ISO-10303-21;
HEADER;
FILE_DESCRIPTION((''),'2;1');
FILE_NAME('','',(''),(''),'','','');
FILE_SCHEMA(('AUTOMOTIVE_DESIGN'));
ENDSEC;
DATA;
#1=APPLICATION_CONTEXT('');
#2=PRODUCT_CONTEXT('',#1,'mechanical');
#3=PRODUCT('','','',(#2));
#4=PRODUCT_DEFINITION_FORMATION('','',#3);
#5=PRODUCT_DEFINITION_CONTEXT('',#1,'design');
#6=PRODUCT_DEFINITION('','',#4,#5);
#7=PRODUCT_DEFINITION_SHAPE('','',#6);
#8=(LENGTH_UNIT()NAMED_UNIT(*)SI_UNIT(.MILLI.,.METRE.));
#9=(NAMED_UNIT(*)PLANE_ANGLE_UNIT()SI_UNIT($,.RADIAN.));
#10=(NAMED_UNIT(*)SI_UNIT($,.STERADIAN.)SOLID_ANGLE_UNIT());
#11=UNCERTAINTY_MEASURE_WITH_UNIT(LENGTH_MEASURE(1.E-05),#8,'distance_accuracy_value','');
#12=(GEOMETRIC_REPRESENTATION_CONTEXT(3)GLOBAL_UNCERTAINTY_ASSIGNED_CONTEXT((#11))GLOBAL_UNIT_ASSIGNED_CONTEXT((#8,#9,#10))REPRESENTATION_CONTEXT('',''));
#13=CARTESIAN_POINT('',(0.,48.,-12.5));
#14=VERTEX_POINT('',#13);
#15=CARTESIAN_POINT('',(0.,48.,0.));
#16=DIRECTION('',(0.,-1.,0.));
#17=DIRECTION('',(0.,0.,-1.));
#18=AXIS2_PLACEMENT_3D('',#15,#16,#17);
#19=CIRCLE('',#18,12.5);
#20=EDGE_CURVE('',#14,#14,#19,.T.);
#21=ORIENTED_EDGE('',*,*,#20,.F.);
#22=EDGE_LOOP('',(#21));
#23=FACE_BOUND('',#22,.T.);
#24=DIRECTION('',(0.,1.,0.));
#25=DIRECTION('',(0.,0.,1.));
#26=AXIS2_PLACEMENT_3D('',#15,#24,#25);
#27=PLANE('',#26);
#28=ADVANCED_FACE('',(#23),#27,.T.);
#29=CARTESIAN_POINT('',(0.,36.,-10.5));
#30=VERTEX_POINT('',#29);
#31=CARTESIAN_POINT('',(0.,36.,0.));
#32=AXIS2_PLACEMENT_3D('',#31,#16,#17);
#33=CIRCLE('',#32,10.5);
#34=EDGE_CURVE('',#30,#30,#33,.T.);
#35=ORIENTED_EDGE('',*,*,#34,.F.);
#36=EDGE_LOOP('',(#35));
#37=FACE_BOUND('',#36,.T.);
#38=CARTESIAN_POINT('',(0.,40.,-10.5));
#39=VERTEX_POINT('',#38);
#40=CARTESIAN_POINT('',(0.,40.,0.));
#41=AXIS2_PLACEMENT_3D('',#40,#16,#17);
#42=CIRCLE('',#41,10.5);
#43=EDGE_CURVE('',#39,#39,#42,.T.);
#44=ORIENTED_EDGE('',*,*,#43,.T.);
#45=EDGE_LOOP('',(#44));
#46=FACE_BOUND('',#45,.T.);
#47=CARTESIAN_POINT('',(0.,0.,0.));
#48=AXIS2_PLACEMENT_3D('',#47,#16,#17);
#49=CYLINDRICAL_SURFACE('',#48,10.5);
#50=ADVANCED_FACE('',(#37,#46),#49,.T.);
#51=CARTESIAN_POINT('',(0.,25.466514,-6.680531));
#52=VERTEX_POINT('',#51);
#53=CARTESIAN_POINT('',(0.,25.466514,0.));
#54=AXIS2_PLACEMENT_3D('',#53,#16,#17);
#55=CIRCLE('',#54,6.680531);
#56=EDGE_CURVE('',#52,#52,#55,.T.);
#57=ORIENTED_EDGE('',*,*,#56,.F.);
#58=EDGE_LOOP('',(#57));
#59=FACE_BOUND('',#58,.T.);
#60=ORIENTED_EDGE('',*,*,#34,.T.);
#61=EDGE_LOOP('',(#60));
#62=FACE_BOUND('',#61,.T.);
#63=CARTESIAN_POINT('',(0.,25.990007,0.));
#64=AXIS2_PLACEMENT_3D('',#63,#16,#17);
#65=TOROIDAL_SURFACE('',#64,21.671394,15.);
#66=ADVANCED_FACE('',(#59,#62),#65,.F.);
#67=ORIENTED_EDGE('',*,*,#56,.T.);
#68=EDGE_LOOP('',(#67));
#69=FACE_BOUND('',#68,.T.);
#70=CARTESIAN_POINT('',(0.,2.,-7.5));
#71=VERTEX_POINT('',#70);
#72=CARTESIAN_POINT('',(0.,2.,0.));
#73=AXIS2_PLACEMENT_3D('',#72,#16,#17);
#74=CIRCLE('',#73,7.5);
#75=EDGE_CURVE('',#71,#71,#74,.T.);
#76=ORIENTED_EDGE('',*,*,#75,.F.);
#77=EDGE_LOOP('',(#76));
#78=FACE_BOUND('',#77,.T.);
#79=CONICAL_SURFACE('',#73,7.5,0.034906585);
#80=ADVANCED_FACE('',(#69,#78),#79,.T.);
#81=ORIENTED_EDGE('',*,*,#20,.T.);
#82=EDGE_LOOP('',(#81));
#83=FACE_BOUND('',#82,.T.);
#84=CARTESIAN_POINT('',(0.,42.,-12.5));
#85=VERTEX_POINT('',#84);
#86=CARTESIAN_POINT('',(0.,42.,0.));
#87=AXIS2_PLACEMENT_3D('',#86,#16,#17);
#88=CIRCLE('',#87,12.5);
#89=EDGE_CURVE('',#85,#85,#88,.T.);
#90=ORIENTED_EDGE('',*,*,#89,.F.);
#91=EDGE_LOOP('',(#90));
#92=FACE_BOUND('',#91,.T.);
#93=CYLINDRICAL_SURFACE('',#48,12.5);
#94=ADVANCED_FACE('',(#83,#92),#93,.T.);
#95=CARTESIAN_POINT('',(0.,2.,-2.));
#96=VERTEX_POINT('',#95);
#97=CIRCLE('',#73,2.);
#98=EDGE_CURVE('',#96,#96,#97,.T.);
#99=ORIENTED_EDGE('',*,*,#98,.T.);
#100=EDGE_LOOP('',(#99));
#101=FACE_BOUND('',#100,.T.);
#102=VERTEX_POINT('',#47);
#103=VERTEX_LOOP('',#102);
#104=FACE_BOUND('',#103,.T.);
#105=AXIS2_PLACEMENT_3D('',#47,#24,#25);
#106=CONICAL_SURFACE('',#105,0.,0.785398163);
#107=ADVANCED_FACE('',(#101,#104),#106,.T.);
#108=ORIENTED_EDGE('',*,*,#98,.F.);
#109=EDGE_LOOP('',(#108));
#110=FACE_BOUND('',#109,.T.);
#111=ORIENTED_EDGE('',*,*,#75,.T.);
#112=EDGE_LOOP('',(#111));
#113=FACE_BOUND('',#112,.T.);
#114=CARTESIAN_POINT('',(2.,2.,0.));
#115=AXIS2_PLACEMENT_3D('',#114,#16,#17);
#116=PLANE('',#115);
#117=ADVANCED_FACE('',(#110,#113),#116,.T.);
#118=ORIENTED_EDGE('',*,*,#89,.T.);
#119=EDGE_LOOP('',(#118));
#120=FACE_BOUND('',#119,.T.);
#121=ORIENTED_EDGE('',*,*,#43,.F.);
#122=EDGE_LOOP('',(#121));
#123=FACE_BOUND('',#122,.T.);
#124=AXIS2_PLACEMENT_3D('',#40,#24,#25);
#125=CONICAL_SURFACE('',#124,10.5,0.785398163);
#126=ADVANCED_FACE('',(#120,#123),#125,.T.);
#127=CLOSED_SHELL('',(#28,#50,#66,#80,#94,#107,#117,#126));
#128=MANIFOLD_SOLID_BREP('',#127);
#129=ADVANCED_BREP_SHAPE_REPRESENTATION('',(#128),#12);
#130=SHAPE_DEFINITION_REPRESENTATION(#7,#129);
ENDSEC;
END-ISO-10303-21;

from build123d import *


with BuildPart() as part:
    # Sketch1 → Revolve1 (revolve)
    with BuildSketch(Plane.XY, mode=Mode.PRIVATE) as revolve1_sk:
        with BuildLine():
            Line((0, 48), (12.5, 48))
            Line((12.5, 48), (12.5, 42))
            Line((12.5, 42), (10.5, 40))
            Line((10.5, 40), (10.5, 36))
            ThreePointArc((10.5, 36), (7.569816074, 31.103274793), (6.680531261, 25.466514365))
            Line((6.680531261, 25.466514365), (7.5, 2))
            Line((7.5, 2), (2, 2))
            Line((2, 2), (0, 0))
            Line((0, 0), (0, 48))
        make_face()
    revolve(revolve1_sk.sketch.rotate(Axis((0, 0, 0), (0, 1, 0)), 90), axis=Axis((0, 0, 0), (0, 1, 0)))  # turned: the seam where the file's is


solid = part.part
